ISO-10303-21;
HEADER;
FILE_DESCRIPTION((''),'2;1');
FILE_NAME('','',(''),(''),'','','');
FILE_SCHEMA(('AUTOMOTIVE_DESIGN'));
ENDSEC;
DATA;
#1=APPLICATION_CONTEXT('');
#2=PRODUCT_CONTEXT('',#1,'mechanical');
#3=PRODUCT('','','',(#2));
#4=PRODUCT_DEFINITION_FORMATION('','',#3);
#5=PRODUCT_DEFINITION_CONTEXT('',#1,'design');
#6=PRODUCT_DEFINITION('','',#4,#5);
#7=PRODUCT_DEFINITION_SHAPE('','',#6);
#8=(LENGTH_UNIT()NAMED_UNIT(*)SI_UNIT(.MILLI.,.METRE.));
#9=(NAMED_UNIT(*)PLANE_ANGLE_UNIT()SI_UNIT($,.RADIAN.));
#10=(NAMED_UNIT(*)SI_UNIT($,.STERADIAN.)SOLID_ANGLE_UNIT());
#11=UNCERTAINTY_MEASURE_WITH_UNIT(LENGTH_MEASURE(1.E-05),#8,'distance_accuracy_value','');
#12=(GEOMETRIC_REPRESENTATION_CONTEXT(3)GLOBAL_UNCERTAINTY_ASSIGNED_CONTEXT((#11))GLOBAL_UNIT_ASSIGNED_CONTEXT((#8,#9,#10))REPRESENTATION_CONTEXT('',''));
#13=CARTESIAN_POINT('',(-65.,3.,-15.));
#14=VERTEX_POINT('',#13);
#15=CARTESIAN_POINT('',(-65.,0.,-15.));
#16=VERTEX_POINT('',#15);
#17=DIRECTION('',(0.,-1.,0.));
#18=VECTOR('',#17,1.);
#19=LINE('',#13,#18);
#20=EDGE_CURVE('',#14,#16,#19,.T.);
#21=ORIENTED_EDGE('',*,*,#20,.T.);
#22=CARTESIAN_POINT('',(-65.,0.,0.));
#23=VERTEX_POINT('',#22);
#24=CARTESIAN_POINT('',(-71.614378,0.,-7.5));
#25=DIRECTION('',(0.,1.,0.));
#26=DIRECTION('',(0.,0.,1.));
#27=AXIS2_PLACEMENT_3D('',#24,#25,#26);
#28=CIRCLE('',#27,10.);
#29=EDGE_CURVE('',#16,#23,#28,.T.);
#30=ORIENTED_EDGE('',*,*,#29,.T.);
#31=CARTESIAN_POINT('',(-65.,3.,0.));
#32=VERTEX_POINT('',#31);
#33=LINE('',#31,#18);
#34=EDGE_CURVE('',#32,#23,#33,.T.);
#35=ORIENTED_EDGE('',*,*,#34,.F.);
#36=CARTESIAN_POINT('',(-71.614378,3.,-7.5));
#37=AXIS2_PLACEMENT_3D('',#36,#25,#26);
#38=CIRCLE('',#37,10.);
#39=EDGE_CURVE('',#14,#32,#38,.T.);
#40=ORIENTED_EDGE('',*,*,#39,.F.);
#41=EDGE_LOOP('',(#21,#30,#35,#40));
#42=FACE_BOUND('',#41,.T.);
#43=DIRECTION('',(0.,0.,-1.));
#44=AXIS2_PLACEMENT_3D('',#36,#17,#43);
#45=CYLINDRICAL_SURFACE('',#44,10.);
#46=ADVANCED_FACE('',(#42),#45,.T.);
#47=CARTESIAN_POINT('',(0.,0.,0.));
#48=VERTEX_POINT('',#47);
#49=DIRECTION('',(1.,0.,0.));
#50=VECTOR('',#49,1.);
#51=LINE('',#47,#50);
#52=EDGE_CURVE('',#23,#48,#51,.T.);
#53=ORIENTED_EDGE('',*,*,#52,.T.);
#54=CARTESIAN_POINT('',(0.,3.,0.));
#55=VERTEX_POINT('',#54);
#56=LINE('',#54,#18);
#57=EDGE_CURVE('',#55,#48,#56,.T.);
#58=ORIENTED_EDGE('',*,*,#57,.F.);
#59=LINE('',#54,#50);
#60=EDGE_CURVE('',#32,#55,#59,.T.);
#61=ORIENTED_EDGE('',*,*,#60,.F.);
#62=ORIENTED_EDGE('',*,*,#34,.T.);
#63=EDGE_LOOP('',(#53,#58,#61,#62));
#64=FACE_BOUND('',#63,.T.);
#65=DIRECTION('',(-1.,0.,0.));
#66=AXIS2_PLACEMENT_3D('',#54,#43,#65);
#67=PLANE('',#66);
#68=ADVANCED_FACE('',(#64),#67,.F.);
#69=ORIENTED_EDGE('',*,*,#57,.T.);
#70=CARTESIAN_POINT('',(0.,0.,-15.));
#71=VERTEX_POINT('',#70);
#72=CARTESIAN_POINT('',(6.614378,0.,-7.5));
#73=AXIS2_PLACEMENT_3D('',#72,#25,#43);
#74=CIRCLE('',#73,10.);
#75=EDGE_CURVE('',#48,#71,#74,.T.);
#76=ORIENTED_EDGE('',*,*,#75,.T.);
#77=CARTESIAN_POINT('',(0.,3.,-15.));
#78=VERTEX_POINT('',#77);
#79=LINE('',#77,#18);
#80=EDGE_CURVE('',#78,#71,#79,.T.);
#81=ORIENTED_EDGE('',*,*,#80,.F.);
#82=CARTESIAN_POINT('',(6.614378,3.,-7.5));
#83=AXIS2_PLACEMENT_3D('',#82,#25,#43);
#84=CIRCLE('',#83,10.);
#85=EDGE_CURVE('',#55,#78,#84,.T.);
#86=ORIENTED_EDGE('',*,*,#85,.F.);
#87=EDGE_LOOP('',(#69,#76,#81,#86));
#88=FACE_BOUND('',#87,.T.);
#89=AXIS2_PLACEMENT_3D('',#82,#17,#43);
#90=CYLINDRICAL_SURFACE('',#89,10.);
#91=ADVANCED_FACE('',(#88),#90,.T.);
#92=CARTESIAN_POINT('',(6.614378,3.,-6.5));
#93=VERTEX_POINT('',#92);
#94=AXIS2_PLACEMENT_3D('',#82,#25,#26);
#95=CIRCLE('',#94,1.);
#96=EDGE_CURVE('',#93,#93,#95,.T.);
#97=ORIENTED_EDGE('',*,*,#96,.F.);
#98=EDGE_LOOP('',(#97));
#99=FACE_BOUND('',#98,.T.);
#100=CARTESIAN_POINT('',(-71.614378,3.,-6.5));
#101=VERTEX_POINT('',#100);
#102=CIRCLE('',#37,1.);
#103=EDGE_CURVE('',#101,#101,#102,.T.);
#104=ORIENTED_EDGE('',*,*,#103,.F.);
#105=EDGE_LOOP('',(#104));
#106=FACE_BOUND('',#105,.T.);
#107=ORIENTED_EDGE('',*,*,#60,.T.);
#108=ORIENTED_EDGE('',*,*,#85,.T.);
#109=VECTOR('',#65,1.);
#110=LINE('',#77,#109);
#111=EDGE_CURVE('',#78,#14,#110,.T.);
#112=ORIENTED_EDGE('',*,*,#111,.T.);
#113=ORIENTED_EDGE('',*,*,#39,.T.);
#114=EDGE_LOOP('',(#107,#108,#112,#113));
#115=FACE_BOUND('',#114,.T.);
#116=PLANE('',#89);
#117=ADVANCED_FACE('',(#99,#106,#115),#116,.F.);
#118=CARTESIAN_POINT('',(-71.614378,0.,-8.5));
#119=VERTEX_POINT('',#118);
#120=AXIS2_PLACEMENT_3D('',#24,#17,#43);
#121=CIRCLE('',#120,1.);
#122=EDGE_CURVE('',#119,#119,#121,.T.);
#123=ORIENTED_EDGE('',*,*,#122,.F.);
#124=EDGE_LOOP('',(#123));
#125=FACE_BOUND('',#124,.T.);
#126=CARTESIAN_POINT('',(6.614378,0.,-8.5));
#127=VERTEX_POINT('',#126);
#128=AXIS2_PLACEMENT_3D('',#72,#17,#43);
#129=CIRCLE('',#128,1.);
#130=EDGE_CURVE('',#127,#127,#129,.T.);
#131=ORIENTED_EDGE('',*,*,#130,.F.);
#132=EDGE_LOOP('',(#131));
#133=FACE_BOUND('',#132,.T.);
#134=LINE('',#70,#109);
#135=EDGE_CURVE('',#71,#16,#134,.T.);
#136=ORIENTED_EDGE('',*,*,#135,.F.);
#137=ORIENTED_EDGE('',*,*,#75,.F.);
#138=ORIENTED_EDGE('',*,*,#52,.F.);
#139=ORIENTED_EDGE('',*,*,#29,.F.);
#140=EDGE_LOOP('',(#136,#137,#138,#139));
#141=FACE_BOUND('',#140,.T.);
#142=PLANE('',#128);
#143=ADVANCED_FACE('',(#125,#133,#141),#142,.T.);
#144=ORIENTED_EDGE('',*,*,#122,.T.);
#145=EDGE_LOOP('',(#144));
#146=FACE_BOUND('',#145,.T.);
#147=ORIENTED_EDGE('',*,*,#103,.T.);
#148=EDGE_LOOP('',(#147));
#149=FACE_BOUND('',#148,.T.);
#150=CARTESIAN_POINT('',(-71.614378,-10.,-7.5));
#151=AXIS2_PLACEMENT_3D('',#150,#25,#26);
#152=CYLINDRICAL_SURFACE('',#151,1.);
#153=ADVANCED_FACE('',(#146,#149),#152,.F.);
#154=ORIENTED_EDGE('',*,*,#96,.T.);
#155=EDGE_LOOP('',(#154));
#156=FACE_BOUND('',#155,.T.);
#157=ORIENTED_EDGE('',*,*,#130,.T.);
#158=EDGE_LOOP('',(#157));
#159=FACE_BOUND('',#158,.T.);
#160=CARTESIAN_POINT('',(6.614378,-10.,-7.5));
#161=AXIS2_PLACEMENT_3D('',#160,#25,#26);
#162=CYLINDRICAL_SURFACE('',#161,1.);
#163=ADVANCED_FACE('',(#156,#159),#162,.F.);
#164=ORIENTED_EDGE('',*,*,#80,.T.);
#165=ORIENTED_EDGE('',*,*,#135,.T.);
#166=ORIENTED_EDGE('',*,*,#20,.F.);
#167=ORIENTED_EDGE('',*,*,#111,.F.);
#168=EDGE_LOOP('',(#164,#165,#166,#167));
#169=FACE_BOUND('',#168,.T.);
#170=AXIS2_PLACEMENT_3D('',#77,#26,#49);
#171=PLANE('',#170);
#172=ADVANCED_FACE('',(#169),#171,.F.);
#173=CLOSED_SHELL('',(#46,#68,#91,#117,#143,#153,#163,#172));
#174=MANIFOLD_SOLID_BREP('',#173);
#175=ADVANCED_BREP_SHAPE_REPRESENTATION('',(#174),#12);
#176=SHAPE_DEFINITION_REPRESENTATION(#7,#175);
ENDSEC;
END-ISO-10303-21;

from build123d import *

# Parameters (mm, degrees)
BOSS_EXTRUDE1_DEPTH = 3
SKETCH2_R           = 1
CUT_EXTRUDE1_DEPTH  = 13


with BuildPart() as part:
    # Sketch1 → Boss-Extrude1 (new body)
    with BuildSketch(Plane(origin=(0, 0, 0), x_dir=(1, 0, 0), z_dir=(0, 1, 0))):
        with BuildLine():
            Line((0, 0), (-65, 0))
            ThreePointArc((-65, 0), (-81.614378278, 7.5), (-65, 15))
            Line((-65, 15), (0, 15))
            ThreePointArc((0, 15), (16.614378278, 7.5), (0, 0))
        make_face()
    extrude(amount=BOSS_EXTRUDE1_DEPTH)

    # Sketch2 → Cut-Extrude1 (cut)
    with BuildSketch(Plane(origin=(0, 3, 0), x_dir=(1, 0, 0), z_dir=(0, 1, 0))):
        with Locations(Location((-71.614378278, 7.5, 0), (0, 0, 270))):
            Circle(SKETCH2_R)
        with Locations(Location((6.614378278, 7.5, 0), (0, 0, 270))):
            Circle(SKETCH2_R)
    extrude(amount=-CUT_EXTRUDE1_DEPTH, mode=Mode.SUBTRACT)


solid = part.part
